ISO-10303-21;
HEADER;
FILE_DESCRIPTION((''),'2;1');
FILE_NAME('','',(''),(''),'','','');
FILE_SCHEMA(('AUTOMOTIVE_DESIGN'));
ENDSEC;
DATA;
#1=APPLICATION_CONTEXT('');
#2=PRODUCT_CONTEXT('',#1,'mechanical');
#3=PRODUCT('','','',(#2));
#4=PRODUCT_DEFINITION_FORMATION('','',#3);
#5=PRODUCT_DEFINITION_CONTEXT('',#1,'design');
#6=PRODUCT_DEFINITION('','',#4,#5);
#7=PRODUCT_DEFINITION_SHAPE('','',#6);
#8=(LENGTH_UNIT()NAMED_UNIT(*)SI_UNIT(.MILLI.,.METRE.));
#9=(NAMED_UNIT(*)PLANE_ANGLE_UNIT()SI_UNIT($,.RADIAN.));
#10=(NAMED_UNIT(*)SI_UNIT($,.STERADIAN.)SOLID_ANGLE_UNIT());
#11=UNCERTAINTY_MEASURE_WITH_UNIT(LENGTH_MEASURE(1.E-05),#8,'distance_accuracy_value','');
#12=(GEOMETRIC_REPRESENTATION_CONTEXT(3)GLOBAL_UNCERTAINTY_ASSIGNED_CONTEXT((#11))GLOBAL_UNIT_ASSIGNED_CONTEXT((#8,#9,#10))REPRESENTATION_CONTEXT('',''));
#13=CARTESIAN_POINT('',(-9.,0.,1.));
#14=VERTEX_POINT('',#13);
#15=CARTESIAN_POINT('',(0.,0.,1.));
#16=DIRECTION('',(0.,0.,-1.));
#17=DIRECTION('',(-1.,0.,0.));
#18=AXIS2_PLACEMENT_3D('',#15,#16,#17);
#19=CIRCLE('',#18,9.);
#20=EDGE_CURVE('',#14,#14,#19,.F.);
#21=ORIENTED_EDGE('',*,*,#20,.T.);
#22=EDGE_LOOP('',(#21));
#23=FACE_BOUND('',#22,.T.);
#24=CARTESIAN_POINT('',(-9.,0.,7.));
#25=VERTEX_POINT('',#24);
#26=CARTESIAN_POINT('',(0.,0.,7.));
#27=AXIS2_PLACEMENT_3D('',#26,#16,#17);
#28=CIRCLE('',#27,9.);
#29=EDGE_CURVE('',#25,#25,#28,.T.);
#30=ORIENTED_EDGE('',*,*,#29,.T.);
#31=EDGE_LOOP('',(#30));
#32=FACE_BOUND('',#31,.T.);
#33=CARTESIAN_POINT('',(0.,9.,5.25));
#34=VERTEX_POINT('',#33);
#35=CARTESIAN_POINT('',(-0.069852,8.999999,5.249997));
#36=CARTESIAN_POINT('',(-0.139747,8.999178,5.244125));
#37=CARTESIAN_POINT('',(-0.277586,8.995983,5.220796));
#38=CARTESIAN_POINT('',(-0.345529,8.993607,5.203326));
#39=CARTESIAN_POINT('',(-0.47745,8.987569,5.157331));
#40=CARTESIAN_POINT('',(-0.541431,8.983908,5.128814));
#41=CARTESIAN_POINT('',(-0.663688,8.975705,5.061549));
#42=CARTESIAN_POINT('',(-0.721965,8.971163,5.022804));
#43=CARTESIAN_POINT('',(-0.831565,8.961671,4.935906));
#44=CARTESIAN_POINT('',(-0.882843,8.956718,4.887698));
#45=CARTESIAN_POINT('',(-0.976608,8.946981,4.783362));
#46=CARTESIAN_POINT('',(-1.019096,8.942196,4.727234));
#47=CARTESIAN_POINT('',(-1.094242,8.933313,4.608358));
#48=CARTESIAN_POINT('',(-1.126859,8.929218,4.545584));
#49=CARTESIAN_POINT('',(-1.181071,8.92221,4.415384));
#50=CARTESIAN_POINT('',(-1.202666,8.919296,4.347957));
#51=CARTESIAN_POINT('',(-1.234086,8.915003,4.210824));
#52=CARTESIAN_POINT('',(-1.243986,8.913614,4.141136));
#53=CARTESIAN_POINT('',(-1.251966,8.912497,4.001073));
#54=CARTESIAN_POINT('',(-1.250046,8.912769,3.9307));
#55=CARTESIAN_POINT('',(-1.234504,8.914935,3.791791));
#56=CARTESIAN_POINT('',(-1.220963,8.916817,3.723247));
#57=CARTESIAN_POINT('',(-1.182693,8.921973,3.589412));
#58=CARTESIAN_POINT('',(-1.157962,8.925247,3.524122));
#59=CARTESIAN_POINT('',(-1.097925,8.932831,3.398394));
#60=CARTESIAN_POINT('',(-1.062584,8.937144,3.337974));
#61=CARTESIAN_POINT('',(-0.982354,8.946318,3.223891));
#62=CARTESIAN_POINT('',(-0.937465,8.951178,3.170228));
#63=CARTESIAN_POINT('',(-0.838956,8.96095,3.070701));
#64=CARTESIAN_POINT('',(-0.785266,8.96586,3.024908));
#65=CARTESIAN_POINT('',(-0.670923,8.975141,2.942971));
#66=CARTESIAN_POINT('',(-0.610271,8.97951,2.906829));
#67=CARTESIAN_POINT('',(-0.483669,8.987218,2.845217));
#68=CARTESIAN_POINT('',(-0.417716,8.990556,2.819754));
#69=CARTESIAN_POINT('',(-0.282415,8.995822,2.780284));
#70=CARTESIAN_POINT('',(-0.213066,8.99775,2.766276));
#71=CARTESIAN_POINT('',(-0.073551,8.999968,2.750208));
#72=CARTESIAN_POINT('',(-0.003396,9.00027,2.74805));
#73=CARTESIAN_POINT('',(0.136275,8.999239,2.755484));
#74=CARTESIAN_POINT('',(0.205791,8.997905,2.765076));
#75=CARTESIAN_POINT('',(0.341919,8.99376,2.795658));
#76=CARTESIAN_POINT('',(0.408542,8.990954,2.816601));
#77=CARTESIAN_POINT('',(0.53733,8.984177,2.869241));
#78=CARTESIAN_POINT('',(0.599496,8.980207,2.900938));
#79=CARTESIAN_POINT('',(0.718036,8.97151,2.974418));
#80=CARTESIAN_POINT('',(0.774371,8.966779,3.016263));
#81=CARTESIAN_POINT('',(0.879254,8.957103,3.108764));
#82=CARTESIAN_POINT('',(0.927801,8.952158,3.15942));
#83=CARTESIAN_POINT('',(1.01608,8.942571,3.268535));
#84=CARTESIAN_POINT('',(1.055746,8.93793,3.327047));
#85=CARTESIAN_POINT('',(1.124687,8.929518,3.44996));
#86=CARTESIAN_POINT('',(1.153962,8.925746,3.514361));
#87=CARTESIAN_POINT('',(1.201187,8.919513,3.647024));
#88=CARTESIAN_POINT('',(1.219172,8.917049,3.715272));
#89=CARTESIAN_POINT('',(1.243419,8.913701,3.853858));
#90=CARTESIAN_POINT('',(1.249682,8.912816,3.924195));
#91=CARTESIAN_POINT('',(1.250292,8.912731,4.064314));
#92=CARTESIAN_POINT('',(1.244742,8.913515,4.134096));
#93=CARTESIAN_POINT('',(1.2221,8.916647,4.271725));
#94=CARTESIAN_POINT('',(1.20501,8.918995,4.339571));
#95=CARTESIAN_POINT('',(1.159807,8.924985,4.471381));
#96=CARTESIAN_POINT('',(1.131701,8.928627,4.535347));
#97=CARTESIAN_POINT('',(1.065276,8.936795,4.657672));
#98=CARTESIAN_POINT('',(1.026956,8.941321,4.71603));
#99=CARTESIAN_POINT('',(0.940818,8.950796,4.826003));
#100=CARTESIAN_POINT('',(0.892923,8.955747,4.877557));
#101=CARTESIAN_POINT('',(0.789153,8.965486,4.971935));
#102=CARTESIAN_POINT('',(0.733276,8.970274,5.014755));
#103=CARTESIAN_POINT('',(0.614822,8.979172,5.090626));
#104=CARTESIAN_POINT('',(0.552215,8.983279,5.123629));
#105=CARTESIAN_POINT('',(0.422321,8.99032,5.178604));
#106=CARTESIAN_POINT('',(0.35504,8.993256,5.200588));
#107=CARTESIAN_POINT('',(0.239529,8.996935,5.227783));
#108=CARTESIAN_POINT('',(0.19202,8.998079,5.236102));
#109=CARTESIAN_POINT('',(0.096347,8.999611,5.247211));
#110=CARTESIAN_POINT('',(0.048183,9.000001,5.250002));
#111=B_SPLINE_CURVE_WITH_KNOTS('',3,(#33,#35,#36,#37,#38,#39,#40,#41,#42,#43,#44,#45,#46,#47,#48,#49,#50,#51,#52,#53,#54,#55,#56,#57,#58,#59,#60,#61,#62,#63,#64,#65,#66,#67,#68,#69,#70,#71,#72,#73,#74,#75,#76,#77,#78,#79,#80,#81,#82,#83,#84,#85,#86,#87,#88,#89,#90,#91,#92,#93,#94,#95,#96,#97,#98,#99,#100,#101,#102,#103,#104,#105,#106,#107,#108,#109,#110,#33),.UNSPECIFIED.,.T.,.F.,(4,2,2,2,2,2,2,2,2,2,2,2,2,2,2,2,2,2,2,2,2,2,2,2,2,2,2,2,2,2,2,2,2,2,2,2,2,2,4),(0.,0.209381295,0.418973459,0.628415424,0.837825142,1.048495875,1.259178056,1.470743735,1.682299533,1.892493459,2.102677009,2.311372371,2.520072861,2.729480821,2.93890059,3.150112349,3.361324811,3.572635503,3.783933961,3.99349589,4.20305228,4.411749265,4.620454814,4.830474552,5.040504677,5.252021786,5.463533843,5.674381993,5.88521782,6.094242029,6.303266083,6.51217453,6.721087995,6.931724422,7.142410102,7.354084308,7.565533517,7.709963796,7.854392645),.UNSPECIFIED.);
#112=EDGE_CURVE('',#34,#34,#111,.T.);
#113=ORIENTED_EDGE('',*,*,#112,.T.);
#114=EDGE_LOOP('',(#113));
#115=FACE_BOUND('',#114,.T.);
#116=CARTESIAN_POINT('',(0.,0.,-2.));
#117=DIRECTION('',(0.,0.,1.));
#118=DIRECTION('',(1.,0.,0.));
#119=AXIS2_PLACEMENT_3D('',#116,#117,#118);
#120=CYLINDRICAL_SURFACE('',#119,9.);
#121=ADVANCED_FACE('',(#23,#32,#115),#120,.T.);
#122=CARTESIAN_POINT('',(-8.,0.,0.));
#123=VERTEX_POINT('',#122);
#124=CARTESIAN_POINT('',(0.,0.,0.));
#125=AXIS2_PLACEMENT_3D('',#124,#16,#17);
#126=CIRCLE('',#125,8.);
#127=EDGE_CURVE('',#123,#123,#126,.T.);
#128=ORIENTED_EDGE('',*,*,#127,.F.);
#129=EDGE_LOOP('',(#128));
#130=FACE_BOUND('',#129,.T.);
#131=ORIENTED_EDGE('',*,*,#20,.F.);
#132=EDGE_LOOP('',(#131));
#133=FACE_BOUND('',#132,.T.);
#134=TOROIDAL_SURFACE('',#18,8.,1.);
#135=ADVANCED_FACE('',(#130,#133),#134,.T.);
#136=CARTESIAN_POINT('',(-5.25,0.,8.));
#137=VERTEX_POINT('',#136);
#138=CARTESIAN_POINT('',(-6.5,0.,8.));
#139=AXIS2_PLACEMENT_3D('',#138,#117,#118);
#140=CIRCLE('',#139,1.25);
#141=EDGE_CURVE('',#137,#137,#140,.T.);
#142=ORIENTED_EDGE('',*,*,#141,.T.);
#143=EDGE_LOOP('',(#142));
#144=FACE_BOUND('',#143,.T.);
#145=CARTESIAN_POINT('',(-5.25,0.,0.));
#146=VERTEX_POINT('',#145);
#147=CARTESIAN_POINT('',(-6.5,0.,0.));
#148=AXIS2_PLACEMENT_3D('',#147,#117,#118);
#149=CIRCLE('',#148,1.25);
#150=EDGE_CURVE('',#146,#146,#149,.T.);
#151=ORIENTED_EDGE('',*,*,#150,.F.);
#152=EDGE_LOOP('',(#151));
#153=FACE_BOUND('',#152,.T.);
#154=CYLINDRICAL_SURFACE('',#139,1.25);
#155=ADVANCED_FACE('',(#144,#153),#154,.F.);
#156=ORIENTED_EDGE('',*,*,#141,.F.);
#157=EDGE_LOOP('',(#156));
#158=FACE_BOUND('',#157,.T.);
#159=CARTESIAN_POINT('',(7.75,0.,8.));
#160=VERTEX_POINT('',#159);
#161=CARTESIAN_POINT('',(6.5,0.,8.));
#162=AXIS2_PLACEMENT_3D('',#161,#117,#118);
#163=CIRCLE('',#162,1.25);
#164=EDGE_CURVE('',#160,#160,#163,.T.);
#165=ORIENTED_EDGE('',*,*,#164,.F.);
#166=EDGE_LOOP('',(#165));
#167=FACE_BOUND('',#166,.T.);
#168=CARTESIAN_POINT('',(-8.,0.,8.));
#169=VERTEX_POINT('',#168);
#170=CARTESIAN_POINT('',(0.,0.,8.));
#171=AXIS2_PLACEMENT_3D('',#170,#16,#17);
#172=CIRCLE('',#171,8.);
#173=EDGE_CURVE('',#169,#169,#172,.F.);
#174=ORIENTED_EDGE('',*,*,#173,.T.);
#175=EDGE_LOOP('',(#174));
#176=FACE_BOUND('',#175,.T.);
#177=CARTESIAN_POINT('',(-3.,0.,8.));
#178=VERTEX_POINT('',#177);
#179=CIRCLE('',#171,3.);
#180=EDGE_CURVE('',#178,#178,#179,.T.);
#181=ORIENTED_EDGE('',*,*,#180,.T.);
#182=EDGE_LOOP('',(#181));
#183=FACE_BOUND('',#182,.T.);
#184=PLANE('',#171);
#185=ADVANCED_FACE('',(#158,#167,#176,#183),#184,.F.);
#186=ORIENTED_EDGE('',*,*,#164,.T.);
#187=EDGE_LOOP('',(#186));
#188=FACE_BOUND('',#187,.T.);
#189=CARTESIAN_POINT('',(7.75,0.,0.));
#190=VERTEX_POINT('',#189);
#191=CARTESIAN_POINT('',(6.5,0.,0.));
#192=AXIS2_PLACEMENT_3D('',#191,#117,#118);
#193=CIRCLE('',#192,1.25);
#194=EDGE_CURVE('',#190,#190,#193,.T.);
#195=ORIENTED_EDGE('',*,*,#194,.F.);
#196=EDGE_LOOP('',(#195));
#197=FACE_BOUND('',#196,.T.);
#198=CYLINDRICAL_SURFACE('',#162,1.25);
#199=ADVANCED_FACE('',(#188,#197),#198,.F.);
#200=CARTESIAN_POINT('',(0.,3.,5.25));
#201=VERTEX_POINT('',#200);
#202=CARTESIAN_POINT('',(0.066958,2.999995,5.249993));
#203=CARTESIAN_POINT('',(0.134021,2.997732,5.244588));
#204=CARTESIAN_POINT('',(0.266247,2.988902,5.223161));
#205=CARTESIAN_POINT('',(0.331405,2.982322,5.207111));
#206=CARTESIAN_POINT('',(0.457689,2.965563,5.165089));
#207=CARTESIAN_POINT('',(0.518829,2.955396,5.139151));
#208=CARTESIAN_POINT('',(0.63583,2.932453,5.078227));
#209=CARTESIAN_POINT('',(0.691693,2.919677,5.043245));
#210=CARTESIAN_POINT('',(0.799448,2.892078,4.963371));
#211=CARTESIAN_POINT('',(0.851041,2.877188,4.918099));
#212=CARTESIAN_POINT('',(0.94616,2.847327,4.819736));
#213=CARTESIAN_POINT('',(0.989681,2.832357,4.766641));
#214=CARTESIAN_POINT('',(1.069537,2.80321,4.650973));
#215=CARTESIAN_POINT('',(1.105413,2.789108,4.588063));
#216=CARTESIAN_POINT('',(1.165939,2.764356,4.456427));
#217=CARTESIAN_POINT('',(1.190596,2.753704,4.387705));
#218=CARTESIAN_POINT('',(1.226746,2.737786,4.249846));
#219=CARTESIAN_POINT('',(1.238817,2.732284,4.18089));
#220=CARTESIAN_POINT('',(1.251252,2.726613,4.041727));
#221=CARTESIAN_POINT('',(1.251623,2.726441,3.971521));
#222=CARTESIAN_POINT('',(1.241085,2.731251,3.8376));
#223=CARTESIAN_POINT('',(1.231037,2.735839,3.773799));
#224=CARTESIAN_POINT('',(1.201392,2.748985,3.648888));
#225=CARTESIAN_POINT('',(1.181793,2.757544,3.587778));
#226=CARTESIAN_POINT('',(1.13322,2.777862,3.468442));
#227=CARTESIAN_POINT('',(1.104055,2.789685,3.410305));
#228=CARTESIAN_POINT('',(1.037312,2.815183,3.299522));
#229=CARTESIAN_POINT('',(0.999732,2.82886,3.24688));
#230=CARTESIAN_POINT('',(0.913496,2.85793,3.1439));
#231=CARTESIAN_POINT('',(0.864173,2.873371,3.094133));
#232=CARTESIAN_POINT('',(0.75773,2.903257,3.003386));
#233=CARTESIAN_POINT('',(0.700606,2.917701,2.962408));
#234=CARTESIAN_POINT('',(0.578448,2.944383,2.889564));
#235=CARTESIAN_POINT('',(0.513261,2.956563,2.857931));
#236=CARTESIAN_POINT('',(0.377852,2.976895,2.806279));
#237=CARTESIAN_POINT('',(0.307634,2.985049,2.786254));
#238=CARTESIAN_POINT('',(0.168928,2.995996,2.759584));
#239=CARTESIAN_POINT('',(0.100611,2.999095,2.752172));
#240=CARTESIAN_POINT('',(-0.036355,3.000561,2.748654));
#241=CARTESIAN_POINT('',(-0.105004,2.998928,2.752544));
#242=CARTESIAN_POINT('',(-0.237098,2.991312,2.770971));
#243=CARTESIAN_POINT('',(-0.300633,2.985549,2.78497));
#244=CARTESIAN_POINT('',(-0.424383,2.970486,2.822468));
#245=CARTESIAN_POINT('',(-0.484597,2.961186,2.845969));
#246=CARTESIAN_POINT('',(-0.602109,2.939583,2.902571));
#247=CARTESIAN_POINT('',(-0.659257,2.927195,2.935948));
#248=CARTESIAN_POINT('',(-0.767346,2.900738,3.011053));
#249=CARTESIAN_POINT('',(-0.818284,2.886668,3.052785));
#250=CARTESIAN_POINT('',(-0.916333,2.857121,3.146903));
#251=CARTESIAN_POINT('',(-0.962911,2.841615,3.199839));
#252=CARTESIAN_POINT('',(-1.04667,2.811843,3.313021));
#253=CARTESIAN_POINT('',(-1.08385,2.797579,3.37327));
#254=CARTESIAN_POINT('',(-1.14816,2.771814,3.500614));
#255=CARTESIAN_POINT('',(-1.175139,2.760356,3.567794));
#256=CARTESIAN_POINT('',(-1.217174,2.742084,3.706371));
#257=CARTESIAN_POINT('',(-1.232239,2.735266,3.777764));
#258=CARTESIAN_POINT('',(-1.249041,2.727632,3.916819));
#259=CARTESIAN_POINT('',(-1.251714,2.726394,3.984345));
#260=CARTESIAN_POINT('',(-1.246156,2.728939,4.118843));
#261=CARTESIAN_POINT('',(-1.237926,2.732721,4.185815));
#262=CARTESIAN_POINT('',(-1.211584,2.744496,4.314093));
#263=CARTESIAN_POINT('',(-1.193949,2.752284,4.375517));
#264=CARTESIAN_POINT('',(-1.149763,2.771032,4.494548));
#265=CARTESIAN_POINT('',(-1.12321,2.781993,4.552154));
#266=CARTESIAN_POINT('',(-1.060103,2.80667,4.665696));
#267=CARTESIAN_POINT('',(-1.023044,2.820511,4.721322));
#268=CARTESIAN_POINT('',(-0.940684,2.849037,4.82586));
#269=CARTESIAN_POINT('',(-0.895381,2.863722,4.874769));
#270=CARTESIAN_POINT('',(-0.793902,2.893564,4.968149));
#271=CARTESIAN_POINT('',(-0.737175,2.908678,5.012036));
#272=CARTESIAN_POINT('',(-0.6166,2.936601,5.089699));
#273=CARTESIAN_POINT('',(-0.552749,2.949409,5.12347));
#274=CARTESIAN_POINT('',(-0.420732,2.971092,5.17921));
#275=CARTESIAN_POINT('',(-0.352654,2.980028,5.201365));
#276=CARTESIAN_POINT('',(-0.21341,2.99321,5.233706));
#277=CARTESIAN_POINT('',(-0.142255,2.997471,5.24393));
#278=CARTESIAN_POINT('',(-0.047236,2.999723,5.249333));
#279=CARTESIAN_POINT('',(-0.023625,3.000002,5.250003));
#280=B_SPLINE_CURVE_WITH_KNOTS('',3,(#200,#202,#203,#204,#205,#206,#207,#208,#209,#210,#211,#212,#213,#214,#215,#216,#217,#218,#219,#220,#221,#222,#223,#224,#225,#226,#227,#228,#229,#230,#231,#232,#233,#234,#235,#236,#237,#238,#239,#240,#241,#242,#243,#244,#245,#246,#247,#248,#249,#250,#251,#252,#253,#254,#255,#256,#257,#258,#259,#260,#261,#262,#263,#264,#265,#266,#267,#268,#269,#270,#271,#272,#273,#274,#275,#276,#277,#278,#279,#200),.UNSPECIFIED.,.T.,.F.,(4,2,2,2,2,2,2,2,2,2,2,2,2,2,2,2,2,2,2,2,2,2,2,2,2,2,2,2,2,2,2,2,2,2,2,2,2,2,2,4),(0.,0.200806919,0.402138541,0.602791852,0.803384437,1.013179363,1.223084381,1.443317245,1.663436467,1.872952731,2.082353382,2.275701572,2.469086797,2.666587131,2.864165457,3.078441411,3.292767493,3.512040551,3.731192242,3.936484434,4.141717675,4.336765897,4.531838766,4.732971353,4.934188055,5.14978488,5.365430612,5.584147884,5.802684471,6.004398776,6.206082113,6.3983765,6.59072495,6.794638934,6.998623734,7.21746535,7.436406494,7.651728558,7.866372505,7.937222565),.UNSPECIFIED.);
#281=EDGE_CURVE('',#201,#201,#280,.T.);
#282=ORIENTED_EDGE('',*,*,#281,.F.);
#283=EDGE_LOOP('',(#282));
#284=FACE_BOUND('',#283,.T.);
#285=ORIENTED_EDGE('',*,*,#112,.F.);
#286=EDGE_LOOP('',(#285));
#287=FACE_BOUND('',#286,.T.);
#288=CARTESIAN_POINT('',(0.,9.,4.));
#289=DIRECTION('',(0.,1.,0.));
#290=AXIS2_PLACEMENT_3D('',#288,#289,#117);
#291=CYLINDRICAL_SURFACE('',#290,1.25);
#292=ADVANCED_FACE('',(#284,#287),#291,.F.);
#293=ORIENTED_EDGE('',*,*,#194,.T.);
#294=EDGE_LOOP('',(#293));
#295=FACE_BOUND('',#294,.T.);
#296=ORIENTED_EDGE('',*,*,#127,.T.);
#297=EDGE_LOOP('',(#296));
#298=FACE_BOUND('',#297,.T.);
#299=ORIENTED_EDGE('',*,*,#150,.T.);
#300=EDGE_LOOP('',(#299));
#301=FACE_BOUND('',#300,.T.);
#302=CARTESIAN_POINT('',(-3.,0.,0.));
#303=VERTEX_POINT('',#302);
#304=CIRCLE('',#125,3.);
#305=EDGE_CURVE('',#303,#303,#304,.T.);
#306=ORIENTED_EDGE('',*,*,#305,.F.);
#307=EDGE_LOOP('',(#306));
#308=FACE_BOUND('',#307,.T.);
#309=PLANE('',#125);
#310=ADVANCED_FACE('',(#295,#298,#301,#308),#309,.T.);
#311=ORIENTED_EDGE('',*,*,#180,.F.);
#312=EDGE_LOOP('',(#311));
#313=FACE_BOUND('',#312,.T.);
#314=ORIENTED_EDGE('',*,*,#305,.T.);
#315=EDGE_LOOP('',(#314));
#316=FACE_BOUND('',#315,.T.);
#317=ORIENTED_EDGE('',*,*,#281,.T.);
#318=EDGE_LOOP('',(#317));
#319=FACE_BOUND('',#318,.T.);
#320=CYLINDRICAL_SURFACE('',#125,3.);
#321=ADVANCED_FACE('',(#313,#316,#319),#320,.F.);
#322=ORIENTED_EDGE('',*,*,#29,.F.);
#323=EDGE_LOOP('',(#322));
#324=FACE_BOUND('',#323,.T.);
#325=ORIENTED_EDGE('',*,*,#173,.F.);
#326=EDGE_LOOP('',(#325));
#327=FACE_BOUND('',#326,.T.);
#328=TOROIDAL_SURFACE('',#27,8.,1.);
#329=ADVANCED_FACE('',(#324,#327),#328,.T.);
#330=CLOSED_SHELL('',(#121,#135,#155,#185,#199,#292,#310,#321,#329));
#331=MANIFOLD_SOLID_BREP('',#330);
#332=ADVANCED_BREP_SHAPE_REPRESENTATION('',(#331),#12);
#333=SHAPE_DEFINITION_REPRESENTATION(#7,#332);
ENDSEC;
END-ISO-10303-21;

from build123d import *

# Parameters (mm, degrees)
SKETCH1_W                = 18
SKETCH1_H                = 18
BOSS_EXTRUDE1_DEPTH      = 8
M3_TAPPED_HOLE1_D        = 2.5
F_6_0_6_DIAMETER_HOLE1_D = 6
M3_TAPPED_HOLE2_REACH    = 23.656
M3_TAPPED_HOLE2_BORE_R   = 1.25
SKETCH15_R               = 12.727922061
SKETCH15_R_2             = 9
CUT_EXTRUDE1_DEPTH       = 10
FILLET1_R                = 1


with BuildPart() as part:
    # Sketch1 → Boss-Extrude1 (new body)
    with BuildSketch(Plane.XY):
        Rectangle(SKETCH1_W, SKETCH1_H)
    extrude(amount=BOSS_EXTRUDE1_DEPTH)

    # M3 Tapped Hole1 (through all)
    with Locations(Plane.XY.offset(8)):
        with Locations((6.5, 0), (-6.5, 0)):
            Hole(M3_TAPPED_HOLE1_D / 2)

    # Ø6.0 (6) Diameter Hole1 (through all)
    with Locations(Plane(origin=(0, 0, 0), x_dir=(-1, 0, 0), z_dir=(0, 0, -1))):
        with Locations((0, 0)):
            Hole(F_6_0_6_DIAMETER_HOLE1_D / 2)

    # M3 Tapped Hole2 bore → M3 Tapped Hole2 (cut, up to next)
    with BuildSketch(Plane(origin=(0, 9, 0), x_dir=(1, 0, 0), z_dir=(0, 1, 0)), mode=Mode.PRIVATE) as m3_tapped_hole2_sk1:
        with Locations((0, -4)):
            Circle(M3_TAPPED_HOLE2_BORE_R)
    m3_tapped_hole2_tool1 = extrude(m3_tapped_hole2_sk1.sketch, amount=-M3_TAPPED_HOLE2_REACH, mode=Mode.PRIVATE) & part.part
    add(m3_tapped_hole2_tool1.solids().sort_by_distance((0, 9, 4))[0], mode=Mode.SUBTRACT)

    # Sketch15 → Cut-Extrude1 (cut)
    with BuildSketch(Plane.XY.offset(8)):
        Circle(SKETCH15_R)
        Circle(SKETCH15_R_2, mode=Mode.SUBTRACT)
    extrude(amount=-CUT_EXTRUDE1_DEPTH, mode=Mode.SUBTRACT)

    # Fillet1
    fillet1_edges = [part.edges().sort_by_distance(p)[0] for p in [
        (-9, 0, 0),
        (-9, 0, 8),
    ]]
    fillet(fillet1_edges, radius=FILLET1_R)


solid = part.part
